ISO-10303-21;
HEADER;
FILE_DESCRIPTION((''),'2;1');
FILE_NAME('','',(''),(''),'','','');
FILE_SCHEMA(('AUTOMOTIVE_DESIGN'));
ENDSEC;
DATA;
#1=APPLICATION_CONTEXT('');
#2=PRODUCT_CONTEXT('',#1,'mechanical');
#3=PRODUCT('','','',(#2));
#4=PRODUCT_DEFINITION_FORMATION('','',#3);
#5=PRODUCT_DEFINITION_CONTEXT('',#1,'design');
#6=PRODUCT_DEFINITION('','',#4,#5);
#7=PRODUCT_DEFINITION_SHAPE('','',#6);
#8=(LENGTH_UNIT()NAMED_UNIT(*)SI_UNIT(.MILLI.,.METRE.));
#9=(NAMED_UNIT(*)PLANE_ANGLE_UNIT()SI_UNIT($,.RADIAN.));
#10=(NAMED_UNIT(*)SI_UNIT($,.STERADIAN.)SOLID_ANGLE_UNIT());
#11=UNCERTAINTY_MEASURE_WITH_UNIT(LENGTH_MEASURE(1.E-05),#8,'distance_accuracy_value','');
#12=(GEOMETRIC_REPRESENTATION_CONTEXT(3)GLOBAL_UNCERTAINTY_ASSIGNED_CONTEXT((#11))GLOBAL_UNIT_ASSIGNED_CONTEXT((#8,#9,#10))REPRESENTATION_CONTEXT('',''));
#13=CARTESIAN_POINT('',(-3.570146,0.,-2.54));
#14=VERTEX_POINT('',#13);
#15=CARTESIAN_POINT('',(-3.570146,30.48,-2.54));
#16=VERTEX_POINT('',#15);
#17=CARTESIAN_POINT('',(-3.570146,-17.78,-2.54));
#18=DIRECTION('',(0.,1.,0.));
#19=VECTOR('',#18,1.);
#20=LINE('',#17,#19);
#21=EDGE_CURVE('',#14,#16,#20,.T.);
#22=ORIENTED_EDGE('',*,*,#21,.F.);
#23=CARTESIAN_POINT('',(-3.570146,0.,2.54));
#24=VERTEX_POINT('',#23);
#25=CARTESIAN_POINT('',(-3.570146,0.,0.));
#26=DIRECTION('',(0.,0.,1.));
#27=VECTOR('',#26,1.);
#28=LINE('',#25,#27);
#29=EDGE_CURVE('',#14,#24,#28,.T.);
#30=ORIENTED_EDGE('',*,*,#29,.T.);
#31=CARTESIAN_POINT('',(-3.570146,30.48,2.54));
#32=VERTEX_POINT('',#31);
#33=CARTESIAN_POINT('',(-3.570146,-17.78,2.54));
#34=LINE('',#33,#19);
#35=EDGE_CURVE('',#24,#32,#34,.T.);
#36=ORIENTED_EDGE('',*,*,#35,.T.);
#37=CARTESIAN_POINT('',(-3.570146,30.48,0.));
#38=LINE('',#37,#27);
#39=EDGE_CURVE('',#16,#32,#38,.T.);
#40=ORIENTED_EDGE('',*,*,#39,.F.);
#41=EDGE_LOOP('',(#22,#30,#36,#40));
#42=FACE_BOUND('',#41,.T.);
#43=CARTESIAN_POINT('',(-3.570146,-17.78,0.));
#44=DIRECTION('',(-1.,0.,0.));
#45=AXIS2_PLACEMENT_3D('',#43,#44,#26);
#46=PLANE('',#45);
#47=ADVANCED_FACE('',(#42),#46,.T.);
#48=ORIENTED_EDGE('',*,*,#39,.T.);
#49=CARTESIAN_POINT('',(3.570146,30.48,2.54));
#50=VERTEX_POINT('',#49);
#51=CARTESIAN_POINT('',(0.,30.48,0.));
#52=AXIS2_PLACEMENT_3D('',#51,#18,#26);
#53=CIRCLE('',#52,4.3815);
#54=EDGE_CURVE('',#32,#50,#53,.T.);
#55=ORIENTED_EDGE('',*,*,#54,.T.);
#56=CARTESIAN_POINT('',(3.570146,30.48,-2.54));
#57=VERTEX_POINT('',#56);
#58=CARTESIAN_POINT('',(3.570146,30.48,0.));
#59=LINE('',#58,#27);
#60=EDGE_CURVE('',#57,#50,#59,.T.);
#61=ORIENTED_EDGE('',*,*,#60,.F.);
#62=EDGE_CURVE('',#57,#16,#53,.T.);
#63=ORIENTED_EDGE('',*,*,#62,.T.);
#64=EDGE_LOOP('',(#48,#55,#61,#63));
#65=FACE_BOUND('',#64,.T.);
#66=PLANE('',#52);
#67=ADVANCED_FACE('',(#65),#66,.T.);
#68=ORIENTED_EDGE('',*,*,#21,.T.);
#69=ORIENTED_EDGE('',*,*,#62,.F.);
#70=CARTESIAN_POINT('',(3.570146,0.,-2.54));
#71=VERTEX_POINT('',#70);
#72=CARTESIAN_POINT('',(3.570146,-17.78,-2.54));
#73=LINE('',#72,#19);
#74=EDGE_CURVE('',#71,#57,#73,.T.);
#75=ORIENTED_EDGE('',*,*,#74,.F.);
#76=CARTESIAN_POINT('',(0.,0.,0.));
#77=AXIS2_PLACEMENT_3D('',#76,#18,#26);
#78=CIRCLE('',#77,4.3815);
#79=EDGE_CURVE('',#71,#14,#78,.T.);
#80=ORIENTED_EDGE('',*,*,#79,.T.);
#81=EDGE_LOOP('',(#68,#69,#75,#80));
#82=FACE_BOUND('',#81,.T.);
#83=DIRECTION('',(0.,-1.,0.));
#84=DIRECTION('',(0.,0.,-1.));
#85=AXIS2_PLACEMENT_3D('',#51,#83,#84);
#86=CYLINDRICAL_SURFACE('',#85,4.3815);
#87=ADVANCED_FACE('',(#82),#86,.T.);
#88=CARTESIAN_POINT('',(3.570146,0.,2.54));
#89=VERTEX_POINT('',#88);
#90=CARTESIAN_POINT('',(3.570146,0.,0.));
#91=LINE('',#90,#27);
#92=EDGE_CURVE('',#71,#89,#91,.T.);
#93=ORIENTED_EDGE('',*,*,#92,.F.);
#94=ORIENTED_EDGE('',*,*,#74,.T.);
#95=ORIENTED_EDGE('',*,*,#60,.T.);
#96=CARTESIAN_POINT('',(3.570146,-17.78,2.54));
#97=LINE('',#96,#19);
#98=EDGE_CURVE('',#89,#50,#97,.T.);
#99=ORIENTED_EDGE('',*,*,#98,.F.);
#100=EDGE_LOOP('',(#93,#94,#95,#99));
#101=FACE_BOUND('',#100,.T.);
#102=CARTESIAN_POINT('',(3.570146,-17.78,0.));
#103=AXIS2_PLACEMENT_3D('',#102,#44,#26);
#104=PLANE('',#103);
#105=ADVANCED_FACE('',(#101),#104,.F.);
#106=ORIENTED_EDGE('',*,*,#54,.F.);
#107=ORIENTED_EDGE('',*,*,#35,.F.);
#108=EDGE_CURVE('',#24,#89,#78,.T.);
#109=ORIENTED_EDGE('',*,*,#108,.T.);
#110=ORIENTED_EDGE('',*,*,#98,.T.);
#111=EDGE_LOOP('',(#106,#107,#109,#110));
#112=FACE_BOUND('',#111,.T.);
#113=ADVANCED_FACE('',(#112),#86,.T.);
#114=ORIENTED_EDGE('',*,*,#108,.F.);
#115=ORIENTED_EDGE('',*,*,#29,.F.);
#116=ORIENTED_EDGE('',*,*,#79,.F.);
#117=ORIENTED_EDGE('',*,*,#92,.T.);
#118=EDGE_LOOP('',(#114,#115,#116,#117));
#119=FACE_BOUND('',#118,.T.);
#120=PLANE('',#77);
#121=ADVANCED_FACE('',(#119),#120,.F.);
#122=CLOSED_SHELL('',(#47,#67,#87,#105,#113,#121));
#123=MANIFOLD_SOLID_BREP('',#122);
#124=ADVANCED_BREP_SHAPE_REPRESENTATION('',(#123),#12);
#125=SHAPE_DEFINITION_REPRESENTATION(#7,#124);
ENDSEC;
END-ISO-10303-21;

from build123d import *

# Parameters (mm, degrees)
SKETCH1_R           = 4.3815
BOSS_EXTRUDE1_DEPTH = 30.48
CUT_EXTRUDE1_DEPTH  = 48.26


with BuildPart() as part:
    # Sketch1 → Boss-Extrude1 (new body)
    with BuildSketch(Plane(origin=(0, 0, 0), x_dir=(1, 0, 0), z_dir=(0, 1, 0))):
        Circle(SKETCH1_R)
    extrude(amount=BOSS_EXTRUDE1_DEPTH)

    # Sketch2 → Cut-Extrude1 (cut)
    with BuildSketch(Plane(origin=(0, 30.48, 0), x_dir=(1, 0, 0), z_dir=(0, 1, 0))):
        with BuildLine():
            Line((-3.57014597, -2.54), (-3.57014597, 2.54))
            ThreePointArc((-3.57014597, 2.54), (-4.3815, 0), (-3.57014597, -2.54))
        make_face()
        with BuildLine():
            ThreePointArc((4.3815, 0), (4.173735546, 1.333219352), (3.57014597, 2.54))
            Line((3.57014597, 2.54), (3.57014597, -2.54))
            ThreePointArc((3.57014597, -2.54), (4.173735546, -1.333219352), (4.3815, 0))
        make_face()
    extrude(amount=-CUT_EXTRUDE1_DEPTH, mode=Mode.SUBTRACT)


solid = part.part
